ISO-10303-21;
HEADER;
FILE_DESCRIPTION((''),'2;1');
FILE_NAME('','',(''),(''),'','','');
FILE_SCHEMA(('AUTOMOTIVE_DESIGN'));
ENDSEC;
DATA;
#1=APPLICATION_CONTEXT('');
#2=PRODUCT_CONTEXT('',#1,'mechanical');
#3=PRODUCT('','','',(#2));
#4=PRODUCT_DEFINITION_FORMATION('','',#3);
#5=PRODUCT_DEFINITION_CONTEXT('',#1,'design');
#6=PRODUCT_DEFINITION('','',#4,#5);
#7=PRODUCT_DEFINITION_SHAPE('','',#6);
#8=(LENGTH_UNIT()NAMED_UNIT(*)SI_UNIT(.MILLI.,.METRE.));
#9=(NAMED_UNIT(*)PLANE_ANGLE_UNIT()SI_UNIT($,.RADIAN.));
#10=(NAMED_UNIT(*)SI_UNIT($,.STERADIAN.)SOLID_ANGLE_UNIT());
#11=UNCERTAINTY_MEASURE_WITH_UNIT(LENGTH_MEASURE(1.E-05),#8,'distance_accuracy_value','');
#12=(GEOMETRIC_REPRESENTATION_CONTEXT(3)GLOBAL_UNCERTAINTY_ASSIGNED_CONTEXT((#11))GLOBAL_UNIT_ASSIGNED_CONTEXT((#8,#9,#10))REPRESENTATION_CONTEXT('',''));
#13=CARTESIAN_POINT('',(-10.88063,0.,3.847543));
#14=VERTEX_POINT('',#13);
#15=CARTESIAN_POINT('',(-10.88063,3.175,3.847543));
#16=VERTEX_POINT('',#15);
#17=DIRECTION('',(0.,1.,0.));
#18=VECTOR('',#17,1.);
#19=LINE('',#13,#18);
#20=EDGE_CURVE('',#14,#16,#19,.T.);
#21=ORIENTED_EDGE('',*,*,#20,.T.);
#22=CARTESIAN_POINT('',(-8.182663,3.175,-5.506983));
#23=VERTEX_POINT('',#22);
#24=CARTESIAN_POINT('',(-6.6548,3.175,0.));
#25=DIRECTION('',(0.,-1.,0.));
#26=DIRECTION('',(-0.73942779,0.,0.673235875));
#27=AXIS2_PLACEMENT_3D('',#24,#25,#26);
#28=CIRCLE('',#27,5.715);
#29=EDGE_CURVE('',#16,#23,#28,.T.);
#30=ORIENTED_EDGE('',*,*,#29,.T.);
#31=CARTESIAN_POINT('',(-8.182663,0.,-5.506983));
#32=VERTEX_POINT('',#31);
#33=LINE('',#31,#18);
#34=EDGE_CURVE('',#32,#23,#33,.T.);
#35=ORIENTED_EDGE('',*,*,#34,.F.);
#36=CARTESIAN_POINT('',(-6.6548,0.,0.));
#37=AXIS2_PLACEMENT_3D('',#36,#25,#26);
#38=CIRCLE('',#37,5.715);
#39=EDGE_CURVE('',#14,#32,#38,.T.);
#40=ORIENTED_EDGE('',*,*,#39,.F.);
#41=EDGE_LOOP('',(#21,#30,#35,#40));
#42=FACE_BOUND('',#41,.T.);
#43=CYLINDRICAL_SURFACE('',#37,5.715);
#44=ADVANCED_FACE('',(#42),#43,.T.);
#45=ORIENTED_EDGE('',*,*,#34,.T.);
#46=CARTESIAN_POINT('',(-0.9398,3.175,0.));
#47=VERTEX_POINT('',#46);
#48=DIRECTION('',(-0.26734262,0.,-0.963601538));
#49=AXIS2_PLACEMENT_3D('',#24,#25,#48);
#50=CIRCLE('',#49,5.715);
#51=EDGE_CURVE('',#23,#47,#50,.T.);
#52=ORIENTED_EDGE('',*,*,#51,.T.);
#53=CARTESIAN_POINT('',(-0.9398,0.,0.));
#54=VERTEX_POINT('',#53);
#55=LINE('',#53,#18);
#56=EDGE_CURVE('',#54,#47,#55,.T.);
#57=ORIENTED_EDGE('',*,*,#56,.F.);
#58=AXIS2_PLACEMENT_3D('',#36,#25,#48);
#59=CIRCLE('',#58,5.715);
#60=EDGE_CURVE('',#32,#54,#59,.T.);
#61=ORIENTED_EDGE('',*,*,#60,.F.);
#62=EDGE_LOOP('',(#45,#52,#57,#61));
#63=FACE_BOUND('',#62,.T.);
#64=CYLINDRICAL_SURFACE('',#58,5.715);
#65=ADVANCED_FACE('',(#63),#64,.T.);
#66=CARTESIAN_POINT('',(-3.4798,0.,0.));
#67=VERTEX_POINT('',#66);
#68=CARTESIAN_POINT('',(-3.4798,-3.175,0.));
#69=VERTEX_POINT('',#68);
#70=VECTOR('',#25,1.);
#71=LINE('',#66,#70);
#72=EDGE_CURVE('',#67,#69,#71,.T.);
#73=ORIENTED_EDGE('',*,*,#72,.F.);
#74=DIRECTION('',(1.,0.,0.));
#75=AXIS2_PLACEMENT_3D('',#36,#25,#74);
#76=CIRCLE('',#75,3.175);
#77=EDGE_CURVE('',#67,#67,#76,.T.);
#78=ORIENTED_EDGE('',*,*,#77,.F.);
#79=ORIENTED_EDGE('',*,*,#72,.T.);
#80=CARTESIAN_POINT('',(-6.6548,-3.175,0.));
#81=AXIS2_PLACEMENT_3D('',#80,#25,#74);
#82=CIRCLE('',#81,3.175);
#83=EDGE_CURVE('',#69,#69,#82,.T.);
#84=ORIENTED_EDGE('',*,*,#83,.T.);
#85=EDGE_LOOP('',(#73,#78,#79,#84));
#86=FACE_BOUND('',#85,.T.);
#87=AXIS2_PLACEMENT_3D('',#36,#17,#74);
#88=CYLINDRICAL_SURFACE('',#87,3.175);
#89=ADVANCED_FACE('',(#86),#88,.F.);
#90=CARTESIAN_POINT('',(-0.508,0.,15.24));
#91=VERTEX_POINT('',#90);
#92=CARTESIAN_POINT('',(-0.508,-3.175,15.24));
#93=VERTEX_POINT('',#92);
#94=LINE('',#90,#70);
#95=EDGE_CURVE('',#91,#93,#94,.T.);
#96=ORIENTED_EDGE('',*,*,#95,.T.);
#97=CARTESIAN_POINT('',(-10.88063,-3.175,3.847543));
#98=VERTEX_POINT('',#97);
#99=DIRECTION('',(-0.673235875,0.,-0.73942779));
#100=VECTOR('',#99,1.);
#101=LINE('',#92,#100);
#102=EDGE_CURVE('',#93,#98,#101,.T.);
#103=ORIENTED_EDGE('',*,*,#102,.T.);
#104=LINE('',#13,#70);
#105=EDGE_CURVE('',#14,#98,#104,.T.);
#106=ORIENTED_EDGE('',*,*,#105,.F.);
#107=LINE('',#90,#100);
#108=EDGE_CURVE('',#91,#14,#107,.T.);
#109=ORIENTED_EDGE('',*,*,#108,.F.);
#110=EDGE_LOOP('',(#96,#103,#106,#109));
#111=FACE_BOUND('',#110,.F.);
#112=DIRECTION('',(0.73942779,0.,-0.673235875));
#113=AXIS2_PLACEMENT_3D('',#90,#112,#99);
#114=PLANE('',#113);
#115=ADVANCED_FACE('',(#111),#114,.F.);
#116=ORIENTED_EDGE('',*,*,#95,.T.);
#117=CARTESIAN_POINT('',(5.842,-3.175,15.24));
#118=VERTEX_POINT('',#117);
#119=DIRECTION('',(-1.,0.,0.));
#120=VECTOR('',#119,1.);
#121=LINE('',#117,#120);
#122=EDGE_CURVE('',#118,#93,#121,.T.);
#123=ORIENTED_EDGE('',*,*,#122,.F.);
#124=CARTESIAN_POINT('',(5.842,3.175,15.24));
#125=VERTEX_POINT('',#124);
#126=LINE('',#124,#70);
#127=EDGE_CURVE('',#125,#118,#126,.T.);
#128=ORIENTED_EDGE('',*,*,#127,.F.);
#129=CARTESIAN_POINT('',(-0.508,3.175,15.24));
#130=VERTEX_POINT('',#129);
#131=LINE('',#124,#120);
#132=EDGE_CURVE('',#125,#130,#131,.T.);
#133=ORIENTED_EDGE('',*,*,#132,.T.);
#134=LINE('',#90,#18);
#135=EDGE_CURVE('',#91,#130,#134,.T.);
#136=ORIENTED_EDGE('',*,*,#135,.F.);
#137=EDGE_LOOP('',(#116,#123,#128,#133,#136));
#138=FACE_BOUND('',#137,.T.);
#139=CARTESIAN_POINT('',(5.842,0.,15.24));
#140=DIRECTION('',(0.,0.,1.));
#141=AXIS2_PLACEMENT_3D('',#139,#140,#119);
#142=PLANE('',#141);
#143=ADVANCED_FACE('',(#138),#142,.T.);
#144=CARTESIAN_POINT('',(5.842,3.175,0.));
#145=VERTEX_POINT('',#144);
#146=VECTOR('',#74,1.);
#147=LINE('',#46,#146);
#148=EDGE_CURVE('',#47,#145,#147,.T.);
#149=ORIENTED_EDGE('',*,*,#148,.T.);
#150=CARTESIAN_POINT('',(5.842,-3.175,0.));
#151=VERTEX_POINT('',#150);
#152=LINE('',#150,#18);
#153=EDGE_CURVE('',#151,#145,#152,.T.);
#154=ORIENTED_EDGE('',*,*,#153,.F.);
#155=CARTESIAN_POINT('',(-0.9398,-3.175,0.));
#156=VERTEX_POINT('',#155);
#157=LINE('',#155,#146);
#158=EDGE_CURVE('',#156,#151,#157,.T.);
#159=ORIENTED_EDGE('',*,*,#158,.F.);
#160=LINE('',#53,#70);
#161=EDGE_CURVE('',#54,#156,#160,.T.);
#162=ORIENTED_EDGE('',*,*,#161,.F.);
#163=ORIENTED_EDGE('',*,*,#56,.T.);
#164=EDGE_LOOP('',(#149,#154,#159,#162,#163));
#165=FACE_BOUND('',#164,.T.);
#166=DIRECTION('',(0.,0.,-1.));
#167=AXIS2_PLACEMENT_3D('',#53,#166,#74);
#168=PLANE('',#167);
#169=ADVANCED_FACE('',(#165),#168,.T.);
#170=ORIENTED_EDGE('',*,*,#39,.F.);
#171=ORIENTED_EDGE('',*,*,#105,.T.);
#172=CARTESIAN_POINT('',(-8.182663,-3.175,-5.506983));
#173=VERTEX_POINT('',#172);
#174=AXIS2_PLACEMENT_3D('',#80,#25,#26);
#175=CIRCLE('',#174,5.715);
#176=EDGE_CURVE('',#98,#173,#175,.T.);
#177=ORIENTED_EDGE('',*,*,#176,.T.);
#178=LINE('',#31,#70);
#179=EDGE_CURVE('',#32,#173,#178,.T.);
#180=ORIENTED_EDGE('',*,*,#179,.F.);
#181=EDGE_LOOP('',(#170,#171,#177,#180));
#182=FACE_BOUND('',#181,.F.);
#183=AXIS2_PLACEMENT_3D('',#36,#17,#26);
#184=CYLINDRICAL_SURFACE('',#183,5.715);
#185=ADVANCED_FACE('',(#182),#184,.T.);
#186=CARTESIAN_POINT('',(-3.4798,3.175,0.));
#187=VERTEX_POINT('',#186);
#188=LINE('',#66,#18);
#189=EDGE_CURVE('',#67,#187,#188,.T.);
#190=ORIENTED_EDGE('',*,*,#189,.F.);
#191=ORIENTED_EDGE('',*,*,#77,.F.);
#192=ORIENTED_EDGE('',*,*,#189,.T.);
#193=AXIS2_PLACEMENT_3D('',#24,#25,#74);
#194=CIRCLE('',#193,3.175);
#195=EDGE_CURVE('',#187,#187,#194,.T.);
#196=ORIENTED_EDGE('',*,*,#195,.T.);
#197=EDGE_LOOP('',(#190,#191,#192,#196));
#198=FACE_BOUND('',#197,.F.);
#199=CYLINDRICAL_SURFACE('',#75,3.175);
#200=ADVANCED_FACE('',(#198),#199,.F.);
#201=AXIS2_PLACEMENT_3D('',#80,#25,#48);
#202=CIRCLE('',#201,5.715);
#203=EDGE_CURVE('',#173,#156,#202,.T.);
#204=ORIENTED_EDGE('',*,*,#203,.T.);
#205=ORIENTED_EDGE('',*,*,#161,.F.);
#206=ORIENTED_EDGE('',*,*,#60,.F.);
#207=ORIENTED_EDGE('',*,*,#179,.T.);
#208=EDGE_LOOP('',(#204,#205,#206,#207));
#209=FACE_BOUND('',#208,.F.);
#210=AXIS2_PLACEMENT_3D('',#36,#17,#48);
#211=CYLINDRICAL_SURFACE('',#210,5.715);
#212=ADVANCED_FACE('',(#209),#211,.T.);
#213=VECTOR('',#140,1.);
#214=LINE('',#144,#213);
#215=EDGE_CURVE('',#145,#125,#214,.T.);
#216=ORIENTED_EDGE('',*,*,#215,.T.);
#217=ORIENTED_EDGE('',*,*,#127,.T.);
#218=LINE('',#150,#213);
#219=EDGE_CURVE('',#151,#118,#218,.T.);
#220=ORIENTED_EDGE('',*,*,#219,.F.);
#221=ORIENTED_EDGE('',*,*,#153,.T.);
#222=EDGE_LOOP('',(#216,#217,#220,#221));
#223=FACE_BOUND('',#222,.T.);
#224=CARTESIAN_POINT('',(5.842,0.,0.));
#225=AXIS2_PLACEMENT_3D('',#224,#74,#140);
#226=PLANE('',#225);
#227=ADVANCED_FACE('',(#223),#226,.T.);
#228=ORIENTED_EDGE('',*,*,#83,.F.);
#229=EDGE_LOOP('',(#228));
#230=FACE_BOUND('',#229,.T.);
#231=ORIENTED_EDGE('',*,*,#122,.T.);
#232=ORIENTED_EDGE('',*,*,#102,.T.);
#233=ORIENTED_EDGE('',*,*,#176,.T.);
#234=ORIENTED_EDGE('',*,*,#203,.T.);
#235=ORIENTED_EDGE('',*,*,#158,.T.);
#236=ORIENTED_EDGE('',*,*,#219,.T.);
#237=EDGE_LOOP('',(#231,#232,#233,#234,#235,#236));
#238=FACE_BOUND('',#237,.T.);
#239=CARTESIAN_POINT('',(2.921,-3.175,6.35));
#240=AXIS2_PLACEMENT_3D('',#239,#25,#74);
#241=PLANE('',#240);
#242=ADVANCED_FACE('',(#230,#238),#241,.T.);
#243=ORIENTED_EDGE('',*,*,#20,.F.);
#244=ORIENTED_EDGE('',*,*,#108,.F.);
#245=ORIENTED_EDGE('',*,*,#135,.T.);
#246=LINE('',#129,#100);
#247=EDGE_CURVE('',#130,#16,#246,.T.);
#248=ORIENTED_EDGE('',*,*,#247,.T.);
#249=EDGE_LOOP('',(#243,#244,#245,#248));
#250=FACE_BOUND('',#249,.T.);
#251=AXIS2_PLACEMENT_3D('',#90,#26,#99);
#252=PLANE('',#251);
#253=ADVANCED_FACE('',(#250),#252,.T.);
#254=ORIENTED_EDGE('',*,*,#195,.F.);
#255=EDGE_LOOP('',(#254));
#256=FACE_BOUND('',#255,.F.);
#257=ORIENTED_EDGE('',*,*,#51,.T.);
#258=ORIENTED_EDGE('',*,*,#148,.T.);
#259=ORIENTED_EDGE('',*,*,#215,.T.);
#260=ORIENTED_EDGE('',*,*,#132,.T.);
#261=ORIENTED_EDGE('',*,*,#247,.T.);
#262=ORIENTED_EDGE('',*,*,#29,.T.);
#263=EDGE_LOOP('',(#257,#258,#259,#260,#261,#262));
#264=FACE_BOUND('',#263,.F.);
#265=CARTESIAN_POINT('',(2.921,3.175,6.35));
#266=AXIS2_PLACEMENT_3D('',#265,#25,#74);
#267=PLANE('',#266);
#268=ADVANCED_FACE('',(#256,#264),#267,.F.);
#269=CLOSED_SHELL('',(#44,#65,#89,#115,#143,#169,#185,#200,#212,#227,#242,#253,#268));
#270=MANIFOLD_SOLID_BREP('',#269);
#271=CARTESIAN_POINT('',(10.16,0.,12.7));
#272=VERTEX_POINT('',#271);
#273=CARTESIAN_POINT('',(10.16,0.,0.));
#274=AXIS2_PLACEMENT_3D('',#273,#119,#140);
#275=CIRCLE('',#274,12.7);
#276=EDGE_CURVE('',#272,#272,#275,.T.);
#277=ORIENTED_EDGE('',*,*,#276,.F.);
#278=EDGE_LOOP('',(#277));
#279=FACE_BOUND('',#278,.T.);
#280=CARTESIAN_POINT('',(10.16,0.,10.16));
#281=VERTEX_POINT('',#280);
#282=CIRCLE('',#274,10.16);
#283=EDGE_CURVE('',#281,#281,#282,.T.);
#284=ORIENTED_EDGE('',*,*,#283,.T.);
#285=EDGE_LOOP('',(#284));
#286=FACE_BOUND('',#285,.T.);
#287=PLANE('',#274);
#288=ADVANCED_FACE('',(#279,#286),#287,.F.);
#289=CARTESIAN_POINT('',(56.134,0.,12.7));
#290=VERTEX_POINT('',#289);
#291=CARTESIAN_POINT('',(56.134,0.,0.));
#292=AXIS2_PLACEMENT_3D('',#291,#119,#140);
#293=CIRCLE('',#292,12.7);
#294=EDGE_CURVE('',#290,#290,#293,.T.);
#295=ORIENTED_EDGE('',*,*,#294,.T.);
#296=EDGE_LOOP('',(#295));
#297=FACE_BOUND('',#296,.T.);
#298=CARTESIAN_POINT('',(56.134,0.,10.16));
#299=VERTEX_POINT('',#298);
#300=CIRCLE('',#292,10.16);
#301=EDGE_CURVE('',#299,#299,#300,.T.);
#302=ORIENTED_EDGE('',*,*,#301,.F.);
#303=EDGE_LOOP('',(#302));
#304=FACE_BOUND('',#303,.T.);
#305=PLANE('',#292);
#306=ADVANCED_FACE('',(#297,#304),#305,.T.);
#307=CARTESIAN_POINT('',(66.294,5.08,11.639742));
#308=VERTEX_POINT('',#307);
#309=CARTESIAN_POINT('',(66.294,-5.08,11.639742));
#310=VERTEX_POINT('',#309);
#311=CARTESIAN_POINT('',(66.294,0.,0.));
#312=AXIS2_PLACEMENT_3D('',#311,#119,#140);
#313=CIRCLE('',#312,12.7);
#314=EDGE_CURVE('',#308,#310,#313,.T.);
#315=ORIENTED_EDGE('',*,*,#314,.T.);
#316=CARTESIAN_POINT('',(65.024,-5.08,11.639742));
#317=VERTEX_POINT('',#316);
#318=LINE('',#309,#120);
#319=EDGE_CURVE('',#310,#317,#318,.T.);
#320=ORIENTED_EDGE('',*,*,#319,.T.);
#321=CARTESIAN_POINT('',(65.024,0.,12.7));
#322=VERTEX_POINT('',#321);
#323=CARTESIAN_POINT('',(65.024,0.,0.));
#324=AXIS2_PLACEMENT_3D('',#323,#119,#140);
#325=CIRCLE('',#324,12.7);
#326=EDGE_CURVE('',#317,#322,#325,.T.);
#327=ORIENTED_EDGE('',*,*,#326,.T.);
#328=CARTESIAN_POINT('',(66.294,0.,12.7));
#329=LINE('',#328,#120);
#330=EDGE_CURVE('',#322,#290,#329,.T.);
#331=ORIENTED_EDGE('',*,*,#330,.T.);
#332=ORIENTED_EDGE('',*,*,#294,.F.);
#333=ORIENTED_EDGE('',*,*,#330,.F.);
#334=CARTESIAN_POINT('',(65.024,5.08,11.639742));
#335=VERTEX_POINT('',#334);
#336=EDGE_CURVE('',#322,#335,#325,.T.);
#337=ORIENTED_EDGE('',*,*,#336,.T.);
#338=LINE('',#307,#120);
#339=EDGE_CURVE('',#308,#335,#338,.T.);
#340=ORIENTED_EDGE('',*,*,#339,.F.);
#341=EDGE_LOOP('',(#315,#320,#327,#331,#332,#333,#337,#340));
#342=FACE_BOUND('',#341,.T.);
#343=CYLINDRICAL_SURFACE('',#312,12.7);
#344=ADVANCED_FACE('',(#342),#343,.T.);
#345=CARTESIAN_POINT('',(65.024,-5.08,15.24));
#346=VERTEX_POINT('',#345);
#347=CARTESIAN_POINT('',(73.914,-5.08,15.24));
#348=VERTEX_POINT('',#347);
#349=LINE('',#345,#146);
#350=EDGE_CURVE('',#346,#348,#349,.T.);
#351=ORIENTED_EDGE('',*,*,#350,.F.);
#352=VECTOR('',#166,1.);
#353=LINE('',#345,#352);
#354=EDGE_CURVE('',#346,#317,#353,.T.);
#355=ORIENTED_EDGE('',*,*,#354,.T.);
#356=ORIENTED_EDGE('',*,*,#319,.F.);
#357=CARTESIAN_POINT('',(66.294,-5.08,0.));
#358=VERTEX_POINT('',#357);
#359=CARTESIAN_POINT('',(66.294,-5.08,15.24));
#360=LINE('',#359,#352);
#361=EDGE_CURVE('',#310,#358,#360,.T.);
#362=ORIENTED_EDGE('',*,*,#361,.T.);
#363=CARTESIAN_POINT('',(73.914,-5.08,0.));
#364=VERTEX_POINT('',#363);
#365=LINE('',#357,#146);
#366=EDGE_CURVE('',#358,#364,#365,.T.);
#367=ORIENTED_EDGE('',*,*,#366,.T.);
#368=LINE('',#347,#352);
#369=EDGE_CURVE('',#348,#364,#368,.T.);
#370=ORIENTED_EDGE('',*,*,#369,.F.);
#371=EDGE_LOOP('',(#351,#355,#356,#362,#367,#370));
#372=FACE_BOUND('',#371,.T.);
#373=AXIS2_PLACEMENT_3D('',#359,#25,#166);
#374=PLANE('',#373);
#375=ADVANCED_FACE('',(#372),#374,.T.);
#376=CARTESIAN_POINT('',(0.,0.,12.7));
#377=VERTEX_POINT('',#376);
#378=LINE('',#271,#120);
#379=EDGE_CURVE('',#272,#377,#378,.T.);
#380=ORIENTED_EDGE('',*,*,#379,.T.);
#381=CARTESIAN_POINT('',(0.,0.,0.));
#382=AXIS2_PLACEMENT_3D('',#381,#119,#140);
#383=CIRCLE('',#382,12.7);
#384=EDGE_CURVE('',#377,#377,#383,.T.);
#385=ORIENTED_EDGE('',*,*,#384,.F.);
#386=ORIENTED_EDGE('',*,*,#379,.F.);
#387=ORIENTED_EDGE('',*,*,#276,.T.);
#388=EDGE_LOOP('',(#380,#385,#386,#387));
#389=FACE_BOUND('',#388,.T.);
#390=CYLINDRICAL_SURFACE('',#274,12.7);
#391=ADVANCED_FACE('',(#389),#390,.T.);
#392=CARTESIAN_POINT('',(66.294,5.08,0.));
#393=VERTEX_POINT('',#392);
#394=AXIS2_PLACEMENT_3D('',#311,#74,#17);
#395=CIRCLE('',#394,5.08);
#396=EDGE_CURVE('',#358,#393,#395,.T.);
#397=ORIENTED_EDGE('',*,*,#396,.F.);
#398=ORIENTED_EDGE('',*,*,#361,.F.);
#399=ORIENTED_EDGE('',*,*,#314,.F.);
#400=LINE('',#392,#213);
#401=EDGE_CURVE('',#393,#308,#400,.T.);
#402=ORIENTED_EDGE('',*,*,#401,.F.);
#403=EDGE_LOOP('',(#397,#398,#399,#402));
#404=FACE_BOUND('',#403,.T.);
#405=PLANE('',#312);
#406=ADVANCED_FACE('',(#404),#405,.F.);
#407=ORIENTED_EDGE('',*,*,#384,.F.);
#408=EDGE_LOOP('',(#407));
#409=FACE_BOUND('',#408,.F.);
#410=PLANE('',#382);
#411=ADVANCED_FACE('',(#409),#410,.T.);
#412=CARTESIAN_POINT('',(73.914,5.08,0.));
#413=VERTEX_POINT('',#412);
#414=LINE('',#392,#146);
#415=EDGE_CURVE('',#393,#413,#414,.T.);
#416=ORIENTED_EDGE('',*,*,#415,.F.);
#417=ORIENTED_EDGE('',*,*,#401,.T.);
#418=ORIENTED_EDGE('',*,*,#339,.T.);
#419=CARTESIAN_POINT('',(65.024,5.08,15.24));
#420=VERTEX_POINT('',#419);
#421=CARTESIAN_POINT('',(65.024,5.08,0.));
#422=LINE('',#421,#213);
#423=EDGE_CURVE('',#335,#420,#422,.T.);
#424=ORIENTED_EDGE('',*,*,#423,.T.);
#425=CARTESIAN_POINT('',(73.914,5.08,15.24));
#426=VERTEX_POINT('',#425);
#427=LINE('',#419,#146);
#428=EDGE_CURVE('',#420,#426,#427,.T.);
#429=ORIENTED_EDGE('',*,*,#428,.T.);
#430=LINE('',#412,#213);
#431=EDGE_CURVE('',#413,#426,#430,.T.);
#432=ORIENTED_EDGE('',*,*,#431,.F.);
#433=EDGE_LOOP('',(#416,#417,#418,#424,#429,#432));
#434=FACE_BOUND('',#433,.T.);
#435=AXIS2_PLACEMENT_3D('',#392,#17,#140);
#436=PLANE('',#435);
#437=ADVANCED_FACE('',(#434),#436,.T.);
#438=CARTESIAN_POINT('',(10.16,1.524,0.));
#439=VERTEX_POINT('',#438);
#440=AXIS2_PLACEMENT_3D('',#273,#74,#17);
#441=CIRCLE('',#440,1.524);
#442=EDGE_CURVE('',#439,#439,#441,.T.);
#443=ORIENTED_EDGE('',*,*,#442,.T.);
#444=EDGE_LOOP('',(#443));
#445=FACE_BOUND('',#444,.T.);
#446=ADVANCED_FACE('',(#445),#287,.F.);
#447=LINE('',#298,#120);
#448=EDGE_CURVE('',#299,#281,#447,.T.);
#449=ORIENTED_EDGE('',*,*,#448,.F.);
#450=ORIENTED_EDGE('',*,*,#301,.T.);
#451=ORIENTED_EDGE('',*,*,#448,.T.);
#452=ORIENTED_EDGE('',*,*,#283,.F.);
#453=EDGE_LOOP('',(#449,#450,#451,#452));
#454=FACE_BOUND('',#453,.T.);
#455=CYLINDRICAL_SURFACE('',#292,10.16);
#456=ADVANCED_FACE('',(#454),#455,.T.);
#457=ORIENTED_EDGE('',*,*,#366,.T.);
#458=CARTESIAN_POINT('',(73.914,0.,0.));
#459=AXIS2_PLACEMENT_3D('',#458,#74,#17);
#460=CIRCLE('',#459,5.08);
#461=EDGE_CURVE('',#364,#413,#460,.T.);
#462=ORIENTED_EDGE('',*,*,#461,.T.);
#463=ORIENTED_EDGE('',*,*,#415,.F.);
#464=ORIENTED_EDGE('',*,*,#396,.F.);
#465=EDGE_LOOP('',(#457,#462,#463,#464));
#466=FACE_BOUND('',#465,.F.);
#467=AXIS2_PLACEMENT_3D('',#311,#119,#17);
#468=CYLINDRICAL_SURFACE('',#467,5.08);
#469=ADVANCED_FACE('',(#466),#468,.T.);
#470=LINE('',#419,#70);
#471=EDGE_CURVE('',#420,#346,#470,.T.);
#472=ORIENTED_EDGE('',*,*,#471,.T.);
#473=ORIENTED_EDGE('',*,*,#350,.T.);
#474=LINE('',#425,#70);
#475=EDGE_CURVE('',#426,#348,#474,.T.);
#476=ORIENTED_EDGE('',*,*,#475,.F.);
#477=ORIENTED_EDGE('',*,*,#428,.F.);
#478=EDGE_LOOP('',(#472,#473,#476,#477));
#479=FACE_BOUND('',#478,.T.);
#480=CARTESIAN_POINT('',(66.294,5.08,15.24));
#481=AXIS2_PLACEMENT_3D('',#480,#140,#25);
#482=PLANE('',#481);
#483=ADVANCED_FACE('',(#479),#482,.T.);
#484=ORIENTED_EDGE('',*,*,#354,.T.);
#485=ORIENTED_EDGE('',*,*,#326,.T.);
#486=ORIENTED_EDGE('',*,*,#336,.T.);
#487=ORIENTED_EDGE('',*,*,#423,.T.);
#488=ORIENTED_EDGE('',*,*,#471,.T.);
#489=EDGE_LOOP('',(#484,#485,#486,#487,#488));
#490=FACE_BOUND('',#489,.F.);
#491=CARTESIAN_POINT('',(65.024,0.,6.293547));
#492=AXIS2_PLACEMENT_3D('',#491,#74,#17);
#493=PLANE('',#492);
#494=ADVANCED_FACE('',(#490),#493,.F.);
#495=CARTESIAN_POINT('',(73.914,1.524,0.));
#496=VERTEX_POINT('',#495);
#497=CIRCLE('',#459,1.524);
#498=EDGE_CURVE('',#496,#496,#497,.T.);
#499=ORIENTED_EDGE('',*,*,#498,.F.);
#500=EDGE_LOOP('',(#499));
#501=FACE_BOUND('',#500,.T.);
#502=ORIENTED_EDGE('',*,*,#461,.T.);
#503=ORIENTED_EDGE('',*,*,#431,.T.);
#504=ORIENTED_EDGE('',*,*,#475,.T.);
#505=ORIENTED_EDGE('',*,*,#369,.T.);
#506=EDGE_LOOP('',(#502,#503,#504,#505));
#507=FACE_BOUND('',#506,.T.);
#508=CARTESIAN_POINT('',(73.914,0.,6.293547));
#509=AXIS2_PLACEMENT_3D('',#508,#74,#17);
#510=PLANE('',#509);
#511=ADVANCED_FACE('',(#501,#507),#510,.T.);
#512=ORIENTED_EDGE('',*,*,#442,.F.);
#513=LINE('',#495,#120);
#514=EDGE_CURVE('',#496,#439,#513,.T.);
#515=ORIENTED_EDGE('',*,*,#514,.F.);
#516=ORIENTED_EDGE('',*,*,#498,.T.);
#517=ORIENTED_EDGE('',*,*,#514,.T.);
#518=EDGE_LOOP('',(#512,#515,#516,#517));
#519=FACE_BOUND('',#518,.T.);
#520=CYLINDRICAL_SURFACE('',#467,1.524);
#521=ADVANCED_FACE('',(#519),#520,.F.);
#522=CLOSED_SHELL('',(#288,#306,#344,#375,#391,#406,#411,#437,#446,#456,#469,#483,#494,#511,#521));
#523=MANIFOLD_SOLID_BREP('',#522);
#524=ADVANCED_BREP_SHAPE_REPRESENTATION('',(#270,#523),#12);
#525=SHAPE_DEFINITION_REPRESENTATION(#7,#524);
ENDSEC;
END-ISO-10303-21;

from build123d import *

# Parameters (mm, degrees)
F0_W          = 5.842
F0_H          = 12.7
F0_R          = 3.175
F2_DEPTH      = 3.175
F3_R          = 1.524
F4_DEPTH      = 7.62
F4_DEPTH_BACK = 1.27
F5_DEPTH      = 56.134


with BuildPart() as f1:
    # F0 (on Front) → F1 (revolve)
    with BuildSketch(Plane.XZ):
        Polygon((5.842, 12.7), (5.842, 0), (66.294, 0), (66.294, 12.7), (56.134, 12.7), (56.134, 10.16), (10.16, 10.16), (10.16, 12.7), align=None)
        with Locations((2.921, 6.35)):
            Rectangle(F0_W, F0_H)
    revolve(axis=Axis((33.147, 0, 0), (-1, 0, 0)))

    # F3 (on face) → F4 (join, two sides)
    with BuildSketch(Plane.YZ.offset(66.294)) as f4_sk:
        with BuildLine():
            ThreePointArc((-5.08, 0), (0, 5.08), (5.08, 0))
            Line((5.08, 0), (5.08, 11.6397422652))
            ThreePointArc((5.08, 11.6397422652), (0, 12.7), (-5.08, 11.6397422652))
            Line((-5.08, 11.6397422652), (-5.08, 0))
        make_face()
        with BuildLine():
            ThreePointArc((-5.08, 11.6397422652), (0, 12.7), (5.08, 11.6397422652))
            Line((5.08, 11.6397422652), (5.08, 15.24))
            Line((5.08, 15.24), (-5.08, 15.24))
            Line((-5.08, 15.24), (-5.08, 11.6397422652))
        make_face()
        with BuildLine():
            ThreePointArc((-5.08, 0), (0, -5.08), (5.08, 0))
            ThreePointArc((5.08, 0), (0, 5.08), (-5.08, 0))
        make_face()
        Circle(F3_R, mode=Mode.SUBTRACT)
    extrude(amount=F4_DEPTH)
    extrude(f4_sk.sketch, amount=-F4_DEPTH_BACK)

    # F5 (cut, through all): a face of the model
    f5_faces = [f1.faces().sort_by_distance(p)[0] for p in [
        (66.294, 0, 0),
    ]]
    extrude(f5_faces, amount=-F5_DEPTH, mode=Mode.SUBTRACT)


with BuildPart() as f2:
    # F0 (on Front) → F2 (new body, symmetric)
    with BuildSketch(Plane.XZ):
        with Locations((2.921, 6.35)):
            Rectangle(F0_W, F0_H)
        with BuildLine():
            ThreePointArc((-8.1826630726, -5.5069827884), (-3.1957909266, -4.5493385486), (-0.9398, 0))
            ThreePointArc((-0.9398, 0), (-4.5919612295, 5.3297205562), (-10.8806298187, 3.8475430269))
            ThreePointArc((-10.8806298187, 3.8475430269), (-12.1459778134, -1.5837270034), (-8.1826630726, -5.5069827884))
        make_face()
        with Locations((-6.6548, 0)):
            Circle(F0_R, mode=Mode.SUBTRACT)
        with BuildLine():
            Line((-0.9398, 0), (0, 0))
            Line((0, 0), (0, 12.7))
            Line((0, 12.7), (5.842, 12.7))
            Line((5.842, 12.7), (5.842, 15.24))
            Line((5.842, 15.24), (-0.508, 15.24))
            Line((-0.508, 15.24), (-10.8806298187, 3.8475430269))
            ThreePointArc((-10.8806298187, 3.8475430269), (-4.5919612295, 5.3297205562), (-0.9398, 0))
        make_face()
    extrude(amount=F2_DEPTH, both=True)


solid = Compound([f1.part, f2.part])
